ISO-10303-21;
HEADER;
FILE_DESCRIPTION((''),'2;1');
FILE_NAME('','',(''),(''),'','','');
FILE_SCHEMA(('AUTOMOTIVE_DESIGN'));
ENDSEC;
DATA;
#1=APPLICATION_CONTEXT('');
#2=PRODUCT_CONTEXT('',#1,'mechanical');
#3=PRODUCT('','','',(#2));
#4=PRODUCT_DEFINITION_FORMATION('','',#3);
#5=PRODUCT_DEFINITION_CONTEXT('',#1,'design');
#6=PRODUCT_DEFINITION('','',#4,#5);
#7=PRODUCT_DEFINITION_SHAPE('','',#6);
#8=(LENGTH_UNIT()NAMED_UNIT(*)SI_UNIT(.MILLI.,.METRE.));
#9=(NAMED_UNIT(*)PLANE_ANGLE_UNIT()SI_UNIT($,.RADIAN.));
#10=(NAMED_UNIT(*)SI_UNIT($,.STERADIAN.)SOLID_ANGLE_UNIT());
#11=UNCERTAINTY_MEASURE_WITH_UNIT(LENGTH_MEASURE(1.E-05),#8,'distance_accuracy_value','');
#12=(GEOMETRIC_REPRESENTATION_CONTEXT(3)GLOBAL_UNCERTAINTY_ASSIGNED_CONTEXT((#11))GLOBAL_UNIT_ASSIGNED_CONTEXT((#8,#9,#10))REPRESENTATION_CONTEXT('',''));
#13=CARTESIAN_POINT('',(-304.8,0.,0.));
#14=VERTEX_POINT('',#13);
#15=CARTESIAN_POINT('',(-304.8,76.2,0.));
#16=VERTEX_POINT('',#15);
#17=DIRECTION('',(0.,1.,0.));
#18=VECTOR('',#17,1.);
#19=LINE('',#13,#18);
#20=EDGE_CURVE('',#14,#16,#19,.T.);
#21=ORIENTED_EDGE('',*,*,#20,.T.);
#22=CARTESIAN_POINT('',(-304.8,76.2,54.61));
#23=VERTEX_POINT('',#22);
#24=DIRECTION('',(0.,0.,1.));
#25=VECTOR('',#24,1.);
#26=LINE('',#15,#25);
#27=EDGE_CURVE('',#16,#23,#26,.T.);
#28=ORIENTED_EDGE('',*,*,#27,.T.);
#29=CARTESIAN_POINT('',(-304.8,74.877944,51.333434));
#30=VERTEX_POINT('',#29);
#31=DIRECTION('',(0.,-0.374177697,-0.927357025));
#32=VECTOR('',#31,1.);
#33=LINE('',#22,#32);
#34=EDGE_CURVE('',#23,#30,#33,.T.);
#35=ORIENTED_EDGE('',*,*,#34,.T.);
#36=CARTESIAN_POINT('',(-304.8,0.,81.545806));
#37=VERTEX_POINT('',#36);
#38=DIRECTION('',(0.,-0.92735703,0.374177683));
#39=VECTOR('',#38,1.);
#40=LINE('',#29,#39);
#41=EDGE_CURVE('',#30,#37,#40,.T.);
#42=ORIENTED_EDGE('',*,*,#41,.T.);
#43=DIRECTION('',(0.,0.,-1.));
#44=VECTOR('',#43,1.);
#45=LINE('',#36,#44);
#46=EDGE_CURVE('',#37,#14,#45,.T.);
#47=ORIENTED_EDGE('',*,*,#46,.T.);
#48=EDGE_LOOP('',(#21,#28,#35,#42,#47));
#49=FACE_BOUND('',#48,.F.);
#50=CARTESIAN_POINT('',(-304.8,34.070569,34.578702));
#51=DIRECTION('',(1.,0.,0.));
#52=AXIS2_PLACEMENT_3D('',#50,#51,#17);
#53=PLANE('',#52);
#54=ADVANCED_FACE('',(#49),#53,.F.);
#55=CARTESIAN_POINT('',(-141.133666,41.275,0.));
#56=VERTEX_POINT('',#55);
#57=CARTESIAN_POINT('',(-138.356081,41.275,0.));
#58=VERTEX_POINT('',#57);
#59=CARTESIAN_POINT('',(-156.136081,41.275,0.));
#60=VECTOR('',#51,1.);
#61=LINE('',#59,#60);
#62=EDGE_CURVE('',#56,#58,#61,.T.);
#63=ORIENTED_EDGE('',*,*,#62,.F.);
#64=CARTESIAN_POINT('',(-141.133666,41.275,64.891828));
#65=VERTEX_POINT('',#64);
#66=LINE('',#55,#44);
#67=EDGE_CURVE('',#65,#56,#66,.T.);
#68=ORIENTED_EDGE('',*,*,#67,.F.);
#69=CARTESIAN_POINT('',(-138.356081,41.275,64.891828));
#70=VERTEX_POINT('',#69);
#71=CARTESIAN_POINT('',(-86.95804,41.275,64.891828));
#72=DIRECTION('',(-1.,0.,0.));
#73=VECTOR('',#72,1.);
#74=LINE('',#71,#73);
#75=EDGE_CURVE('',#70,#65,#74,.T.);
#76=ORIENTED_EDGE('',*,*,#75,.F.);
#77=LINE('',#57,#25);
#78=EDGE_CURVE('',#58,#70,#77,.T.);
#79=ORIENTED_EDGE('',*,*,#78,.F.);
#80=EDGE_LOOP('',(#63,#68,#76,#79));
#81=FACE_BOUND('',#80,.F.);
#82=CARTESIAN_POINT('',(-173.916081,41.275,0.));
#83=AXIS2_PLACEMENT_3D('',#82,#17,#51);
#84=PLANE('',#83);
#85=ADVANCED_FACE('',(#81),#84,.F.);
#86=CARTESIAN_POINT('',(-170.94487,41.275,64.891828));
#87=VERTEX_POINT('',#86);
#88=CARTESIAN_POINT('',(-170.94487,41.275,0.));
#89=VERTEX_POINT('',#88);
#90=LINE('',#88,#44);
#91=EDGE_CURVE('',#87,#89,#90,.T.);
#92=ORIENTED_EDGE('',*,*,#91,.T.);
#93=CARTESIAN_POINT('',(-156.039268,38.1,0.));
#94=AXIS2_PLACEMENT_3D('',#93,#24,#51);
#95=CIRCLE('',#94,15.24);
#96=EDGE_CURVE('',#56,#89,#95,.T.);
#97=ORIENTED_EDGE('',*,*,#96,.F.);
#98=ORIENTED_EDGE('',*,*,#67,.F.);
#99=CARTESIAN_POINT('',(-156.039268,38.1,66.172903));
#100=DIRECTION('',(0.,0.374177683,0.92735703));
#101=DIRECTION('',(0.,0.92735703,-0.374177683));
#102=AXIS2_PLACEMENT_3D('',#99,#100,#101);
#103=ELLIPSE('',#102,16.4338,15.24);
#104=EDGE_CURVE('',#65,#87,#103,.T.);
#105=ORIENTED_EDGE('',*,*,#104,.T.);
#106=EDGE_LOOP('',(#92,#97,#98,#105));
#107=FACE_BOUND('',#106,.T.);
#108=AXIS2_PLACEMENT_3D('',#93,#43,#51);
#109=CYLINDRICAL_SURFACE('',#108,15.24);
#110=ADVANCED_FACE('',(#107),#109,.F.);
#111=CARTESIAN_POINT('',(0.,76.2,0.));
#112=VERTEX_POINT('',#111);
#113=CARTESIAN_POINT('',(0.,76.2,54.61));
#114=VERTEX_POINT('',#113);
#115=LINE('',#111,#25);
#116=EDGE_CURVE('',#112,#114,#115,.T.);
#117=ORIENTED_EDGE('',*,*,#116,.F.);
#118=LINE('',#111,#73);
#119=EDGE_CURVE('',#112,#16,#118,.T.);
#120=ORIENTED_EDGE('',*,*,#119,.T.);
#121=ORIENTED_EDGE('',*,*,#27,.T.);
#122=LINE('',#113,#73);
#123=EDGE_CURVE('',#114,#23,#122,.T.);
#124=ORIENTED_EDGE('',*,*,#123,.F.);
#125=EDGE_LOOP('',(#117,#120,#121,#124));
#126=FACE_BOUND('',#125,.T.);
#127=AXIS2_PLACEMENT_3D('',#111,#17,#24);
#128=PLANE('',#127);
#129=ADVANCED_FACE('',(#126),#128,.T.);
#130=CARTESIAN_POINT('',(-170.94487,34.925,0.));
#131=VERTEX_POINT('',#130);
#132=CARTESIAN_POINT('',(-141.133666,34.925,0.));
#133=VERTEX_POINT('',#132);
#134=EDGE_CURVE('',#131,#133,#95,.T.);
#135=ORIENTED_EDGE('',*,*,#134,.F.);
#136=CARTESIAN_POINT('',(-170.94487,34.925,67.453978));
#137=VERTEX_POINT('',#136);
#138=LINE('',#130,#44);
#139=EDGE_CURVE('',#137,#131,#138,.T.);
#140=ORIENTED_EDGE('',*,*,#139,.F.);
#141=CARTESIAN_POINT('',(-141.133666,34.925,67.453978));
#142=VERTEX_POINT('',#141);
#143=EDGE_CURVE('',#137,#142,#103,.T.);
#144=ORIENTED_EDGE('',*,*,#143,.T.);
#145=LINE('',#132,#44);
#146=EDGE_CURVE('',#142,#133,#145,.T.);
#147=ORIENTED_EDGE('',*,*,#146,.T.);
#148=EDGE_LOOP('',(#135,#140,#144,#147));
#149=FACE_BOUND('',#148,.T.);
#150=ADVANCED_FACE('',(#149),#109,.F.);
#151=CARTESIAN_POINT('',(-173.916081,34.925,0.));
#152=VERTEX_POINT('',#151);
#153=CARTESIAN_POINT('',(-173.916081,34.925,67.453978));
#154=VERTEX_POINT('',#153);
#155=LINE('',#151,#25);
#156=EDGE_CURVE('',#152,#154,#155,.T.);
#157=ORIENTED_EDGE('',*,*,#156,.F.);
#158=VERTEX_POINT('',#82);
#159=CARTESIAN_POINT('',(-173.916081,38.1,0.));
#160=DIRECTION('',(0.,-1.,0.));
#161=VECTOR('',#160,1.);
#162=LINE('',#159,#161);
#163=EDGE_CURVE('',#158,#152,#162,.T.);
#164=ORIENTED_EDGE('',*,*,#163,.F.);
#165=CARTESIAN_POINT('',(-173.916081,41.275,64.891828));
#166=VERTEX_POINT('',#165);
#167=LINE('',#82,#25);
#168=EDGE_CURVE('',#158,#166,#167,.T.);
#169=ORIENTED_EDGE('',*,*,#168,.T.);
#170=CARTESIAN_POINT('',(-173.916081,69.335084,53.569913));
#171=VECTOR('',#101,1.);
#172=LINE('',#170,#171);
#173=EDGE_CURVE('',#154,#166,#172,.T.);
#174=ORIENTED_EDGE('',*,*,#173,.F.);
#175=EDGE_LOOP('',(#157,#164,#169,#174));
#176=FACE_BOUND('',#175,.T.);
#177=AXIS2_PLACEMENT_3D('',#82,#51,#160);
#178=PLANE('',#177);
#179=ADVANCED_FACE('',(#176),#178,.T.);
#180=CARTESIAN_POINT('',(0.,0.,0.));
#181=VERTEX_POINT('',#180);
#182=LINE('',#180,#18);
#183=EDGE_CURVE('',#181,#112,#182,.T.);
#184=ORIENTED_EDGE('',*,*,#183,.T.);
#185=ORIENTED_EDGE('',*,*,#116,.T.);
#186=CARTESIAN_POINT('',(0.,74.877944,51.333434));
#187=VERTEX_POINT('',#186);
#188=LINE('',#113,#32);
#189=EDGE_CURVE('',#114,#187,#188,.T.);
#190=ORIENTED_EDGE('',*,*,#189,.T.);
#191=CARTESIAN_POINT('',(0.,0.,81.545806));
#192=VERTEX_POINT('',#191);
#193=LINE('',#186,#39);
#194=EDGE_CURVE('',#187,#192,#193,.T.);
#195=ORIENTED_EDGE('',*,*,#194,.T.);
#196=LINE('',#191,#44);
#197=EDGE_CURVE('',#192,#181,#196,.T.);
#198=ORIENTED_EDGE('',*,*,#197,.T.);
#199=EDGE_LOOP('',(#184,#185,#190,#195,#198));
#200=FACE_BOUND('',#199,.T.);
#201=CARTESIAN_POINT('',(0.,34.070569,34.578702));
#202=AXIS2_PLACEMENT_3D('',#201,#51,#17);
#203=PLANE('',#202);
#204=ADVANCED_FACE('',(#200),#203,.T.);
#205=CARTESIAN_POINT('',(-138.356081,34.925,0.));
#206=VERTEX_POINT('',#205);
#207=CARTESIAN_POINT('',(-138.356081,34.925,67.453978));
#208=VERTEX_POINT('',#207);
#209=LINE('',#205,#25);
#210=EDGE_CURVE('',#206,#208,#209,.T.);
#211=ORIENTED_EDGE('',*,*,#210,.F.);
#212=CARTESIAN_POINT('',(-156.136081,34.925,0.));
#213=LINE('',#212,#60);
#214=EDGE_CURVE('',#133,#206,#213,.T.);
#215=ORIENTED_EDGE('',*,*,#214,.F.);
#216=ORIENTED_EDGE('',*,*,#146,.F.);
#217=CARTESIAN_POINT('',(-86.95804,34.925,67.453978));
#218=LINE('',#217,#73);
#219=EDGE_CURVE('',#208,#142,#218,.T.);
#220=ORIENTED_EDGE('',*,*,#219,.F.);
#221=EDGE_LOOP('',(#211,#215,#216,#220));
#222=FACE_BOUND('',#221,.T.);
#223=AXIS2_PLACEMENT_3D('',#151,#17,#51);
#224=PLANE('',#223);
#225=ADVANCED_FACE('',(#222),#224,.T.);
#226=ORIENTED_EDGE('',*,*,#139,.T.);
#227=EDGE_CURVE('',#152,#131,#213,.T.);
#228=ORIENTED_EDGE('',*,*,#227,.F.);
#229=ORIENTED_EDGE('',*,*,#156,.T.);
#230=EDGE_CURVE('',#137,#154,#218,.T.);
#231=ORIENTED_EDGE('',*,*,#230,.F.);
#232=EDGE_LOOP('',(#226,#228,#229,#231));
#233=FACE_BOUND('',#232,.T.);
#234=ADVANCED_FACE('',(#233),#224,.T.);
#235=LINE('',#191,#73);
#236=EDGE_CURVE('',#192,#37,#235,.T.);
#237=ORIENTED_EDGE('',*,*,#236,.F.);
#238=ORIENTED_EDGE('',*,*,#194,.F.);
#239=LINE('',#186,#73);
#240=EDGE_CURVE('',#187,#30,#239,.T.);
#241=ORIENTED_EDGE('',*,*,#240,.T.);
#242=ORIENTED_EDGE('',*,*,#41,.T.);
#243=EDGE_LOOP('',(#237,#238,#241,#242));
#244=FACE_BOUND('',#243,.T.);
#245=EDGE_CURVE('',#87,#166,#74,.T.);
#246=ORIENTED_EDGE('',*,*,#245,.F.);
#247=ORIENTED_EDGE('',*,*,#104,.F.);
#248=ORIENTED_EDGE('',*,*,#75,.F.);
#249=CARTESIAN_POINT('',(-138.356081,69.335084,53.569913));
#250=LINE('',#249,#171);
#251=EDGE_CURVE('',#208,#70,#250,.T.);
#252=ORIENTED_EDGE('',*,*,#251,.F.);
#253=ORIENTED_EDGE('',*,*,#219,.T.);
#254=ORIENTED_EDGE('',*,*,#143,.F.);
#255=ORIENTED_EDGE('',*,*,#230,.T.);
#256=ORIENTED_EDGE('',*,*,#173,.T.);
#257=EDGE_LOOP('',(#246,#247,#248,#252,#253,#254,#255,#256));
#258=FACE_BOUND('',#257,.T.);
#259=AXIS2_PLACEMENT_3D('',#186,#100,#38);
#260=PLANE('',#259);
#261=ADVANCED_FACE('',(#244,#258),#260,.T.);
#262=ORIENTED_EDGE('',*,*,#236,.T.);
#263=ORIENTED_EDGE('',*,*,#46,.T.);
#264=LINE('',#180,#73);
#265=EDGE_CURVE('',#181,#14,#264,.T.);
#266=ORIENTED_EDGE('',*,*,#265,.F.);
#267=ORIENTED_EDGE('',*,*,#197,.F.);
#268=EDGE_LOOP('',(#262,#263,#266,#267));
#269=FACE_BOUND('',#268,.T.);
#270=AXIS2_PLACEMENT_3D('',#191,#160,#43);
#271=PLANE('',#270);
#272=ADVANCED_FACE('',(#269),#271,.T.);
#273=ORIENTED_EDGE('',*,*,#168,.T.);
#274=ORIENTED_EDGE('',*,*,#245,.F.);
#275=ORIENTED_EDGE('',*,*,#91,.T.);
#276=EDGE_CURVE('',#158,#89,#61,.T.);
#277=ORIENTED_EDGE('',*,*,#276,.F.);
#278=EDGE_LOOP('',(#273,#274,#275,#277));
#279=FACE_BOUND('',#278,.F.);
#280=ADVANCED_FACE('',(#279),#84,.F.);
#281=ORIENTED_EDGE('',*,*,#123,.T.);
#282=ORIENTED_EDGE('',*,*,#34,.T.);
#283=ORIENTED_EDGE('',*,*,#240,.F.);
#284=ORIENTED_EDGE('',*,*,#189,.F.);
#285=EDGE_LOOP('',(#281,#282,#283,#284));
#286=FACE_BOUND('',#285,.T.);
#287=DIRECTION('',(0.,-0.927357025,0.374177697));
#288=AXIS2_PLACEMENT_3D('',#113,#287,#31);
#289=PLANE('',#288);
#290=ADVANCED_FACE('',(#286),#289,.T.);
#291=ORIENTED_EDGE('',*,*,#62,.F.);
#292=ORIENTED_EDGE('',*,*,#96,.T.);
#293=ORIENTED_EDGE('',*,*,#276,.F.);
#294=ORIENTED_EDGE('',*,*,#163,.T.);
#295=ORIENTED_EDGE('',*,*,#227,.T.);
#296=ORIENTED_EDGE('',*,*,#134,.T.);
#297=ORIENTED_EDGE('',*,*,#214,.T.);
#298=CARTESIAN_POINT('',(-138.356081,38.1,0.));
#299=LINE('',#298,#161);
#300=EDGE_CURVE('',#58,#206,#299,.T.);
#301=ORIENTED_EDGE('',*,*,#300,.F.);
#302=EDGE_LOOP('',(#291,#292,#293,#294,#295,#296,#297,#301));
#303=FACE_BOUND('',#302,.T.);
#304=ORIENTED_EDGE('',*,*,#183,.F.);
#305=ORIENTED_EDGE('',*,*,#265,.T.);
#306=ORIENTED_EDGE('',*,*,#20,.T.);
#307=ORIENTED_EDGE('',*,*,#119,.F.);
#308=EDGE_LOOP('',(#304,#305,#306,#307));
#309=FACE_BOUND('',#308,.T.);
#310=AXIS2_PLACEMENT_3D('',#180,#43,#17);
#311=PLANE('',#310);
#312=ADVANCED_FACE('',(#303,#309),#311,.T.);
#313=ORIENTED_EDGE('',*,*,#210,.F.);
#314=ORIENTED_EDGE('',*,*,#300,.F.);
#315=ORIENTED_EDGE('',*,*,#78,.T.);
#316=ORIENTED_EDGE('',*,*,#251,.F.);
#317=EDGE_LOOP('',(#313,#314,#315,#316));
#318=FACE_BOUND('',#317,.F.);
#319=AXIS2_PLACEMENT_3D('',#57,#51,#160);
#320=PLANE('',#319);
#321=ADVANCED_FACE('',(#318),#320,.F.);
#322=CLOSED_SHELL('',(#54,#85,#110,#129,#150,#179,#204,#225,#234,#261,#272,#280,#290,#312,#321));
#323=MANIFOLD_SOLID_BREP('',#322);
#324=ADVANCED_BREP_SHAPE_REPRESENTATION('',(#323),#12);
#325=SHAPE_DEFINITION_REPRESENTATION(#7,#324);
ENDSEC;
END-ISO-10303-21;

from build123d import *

# Parameters (mm, degrees)
F1_DEPTH = 304.8
F2_R     = 15.24
F3_DEPTH = 81.546806
F4_W     = 35.56
F4_H     = 6.35
F5_DEPTH = 81.546806


with BuildPart() as f1:
    # F0 (on Right) → F1 (new body)
    with BuildSketch(Plane.YZ):
        Polygon((0, 81.545806), (0, 0), (76.2, 0), (76.2, 50.8), (74.877944, 51.333434), align=None)
        Polygon((76.2, 54.61), (74.877944, 51.333434), (76.2, 50.8), align=None)
    extrude(amount=-F1_DEPTH)

    # F2 (on Top) → F3 (cut, through all)
    with BuildSketch(Plane.XY):
        with Locations((-156.039268, 38.1)):
            Circle(F2_R)
    extrude(amount=F3_DEPTH, mode=Mode.SUBTRACT)

    # F4 (on face) → F5 (cut, through all)
    with BuildSketch(Plane(origin=(0, 0, 0), x_dir=(1, 0, 0), z_dir=(0, 0, -1))):
        with Locations((-156.136081, -38.1)):
            Rectangle(F4_W, F4_H)
    extrude(amount=-F5_DEPTH, mode=Mode.SUBTRACT)


solid = f1.part
